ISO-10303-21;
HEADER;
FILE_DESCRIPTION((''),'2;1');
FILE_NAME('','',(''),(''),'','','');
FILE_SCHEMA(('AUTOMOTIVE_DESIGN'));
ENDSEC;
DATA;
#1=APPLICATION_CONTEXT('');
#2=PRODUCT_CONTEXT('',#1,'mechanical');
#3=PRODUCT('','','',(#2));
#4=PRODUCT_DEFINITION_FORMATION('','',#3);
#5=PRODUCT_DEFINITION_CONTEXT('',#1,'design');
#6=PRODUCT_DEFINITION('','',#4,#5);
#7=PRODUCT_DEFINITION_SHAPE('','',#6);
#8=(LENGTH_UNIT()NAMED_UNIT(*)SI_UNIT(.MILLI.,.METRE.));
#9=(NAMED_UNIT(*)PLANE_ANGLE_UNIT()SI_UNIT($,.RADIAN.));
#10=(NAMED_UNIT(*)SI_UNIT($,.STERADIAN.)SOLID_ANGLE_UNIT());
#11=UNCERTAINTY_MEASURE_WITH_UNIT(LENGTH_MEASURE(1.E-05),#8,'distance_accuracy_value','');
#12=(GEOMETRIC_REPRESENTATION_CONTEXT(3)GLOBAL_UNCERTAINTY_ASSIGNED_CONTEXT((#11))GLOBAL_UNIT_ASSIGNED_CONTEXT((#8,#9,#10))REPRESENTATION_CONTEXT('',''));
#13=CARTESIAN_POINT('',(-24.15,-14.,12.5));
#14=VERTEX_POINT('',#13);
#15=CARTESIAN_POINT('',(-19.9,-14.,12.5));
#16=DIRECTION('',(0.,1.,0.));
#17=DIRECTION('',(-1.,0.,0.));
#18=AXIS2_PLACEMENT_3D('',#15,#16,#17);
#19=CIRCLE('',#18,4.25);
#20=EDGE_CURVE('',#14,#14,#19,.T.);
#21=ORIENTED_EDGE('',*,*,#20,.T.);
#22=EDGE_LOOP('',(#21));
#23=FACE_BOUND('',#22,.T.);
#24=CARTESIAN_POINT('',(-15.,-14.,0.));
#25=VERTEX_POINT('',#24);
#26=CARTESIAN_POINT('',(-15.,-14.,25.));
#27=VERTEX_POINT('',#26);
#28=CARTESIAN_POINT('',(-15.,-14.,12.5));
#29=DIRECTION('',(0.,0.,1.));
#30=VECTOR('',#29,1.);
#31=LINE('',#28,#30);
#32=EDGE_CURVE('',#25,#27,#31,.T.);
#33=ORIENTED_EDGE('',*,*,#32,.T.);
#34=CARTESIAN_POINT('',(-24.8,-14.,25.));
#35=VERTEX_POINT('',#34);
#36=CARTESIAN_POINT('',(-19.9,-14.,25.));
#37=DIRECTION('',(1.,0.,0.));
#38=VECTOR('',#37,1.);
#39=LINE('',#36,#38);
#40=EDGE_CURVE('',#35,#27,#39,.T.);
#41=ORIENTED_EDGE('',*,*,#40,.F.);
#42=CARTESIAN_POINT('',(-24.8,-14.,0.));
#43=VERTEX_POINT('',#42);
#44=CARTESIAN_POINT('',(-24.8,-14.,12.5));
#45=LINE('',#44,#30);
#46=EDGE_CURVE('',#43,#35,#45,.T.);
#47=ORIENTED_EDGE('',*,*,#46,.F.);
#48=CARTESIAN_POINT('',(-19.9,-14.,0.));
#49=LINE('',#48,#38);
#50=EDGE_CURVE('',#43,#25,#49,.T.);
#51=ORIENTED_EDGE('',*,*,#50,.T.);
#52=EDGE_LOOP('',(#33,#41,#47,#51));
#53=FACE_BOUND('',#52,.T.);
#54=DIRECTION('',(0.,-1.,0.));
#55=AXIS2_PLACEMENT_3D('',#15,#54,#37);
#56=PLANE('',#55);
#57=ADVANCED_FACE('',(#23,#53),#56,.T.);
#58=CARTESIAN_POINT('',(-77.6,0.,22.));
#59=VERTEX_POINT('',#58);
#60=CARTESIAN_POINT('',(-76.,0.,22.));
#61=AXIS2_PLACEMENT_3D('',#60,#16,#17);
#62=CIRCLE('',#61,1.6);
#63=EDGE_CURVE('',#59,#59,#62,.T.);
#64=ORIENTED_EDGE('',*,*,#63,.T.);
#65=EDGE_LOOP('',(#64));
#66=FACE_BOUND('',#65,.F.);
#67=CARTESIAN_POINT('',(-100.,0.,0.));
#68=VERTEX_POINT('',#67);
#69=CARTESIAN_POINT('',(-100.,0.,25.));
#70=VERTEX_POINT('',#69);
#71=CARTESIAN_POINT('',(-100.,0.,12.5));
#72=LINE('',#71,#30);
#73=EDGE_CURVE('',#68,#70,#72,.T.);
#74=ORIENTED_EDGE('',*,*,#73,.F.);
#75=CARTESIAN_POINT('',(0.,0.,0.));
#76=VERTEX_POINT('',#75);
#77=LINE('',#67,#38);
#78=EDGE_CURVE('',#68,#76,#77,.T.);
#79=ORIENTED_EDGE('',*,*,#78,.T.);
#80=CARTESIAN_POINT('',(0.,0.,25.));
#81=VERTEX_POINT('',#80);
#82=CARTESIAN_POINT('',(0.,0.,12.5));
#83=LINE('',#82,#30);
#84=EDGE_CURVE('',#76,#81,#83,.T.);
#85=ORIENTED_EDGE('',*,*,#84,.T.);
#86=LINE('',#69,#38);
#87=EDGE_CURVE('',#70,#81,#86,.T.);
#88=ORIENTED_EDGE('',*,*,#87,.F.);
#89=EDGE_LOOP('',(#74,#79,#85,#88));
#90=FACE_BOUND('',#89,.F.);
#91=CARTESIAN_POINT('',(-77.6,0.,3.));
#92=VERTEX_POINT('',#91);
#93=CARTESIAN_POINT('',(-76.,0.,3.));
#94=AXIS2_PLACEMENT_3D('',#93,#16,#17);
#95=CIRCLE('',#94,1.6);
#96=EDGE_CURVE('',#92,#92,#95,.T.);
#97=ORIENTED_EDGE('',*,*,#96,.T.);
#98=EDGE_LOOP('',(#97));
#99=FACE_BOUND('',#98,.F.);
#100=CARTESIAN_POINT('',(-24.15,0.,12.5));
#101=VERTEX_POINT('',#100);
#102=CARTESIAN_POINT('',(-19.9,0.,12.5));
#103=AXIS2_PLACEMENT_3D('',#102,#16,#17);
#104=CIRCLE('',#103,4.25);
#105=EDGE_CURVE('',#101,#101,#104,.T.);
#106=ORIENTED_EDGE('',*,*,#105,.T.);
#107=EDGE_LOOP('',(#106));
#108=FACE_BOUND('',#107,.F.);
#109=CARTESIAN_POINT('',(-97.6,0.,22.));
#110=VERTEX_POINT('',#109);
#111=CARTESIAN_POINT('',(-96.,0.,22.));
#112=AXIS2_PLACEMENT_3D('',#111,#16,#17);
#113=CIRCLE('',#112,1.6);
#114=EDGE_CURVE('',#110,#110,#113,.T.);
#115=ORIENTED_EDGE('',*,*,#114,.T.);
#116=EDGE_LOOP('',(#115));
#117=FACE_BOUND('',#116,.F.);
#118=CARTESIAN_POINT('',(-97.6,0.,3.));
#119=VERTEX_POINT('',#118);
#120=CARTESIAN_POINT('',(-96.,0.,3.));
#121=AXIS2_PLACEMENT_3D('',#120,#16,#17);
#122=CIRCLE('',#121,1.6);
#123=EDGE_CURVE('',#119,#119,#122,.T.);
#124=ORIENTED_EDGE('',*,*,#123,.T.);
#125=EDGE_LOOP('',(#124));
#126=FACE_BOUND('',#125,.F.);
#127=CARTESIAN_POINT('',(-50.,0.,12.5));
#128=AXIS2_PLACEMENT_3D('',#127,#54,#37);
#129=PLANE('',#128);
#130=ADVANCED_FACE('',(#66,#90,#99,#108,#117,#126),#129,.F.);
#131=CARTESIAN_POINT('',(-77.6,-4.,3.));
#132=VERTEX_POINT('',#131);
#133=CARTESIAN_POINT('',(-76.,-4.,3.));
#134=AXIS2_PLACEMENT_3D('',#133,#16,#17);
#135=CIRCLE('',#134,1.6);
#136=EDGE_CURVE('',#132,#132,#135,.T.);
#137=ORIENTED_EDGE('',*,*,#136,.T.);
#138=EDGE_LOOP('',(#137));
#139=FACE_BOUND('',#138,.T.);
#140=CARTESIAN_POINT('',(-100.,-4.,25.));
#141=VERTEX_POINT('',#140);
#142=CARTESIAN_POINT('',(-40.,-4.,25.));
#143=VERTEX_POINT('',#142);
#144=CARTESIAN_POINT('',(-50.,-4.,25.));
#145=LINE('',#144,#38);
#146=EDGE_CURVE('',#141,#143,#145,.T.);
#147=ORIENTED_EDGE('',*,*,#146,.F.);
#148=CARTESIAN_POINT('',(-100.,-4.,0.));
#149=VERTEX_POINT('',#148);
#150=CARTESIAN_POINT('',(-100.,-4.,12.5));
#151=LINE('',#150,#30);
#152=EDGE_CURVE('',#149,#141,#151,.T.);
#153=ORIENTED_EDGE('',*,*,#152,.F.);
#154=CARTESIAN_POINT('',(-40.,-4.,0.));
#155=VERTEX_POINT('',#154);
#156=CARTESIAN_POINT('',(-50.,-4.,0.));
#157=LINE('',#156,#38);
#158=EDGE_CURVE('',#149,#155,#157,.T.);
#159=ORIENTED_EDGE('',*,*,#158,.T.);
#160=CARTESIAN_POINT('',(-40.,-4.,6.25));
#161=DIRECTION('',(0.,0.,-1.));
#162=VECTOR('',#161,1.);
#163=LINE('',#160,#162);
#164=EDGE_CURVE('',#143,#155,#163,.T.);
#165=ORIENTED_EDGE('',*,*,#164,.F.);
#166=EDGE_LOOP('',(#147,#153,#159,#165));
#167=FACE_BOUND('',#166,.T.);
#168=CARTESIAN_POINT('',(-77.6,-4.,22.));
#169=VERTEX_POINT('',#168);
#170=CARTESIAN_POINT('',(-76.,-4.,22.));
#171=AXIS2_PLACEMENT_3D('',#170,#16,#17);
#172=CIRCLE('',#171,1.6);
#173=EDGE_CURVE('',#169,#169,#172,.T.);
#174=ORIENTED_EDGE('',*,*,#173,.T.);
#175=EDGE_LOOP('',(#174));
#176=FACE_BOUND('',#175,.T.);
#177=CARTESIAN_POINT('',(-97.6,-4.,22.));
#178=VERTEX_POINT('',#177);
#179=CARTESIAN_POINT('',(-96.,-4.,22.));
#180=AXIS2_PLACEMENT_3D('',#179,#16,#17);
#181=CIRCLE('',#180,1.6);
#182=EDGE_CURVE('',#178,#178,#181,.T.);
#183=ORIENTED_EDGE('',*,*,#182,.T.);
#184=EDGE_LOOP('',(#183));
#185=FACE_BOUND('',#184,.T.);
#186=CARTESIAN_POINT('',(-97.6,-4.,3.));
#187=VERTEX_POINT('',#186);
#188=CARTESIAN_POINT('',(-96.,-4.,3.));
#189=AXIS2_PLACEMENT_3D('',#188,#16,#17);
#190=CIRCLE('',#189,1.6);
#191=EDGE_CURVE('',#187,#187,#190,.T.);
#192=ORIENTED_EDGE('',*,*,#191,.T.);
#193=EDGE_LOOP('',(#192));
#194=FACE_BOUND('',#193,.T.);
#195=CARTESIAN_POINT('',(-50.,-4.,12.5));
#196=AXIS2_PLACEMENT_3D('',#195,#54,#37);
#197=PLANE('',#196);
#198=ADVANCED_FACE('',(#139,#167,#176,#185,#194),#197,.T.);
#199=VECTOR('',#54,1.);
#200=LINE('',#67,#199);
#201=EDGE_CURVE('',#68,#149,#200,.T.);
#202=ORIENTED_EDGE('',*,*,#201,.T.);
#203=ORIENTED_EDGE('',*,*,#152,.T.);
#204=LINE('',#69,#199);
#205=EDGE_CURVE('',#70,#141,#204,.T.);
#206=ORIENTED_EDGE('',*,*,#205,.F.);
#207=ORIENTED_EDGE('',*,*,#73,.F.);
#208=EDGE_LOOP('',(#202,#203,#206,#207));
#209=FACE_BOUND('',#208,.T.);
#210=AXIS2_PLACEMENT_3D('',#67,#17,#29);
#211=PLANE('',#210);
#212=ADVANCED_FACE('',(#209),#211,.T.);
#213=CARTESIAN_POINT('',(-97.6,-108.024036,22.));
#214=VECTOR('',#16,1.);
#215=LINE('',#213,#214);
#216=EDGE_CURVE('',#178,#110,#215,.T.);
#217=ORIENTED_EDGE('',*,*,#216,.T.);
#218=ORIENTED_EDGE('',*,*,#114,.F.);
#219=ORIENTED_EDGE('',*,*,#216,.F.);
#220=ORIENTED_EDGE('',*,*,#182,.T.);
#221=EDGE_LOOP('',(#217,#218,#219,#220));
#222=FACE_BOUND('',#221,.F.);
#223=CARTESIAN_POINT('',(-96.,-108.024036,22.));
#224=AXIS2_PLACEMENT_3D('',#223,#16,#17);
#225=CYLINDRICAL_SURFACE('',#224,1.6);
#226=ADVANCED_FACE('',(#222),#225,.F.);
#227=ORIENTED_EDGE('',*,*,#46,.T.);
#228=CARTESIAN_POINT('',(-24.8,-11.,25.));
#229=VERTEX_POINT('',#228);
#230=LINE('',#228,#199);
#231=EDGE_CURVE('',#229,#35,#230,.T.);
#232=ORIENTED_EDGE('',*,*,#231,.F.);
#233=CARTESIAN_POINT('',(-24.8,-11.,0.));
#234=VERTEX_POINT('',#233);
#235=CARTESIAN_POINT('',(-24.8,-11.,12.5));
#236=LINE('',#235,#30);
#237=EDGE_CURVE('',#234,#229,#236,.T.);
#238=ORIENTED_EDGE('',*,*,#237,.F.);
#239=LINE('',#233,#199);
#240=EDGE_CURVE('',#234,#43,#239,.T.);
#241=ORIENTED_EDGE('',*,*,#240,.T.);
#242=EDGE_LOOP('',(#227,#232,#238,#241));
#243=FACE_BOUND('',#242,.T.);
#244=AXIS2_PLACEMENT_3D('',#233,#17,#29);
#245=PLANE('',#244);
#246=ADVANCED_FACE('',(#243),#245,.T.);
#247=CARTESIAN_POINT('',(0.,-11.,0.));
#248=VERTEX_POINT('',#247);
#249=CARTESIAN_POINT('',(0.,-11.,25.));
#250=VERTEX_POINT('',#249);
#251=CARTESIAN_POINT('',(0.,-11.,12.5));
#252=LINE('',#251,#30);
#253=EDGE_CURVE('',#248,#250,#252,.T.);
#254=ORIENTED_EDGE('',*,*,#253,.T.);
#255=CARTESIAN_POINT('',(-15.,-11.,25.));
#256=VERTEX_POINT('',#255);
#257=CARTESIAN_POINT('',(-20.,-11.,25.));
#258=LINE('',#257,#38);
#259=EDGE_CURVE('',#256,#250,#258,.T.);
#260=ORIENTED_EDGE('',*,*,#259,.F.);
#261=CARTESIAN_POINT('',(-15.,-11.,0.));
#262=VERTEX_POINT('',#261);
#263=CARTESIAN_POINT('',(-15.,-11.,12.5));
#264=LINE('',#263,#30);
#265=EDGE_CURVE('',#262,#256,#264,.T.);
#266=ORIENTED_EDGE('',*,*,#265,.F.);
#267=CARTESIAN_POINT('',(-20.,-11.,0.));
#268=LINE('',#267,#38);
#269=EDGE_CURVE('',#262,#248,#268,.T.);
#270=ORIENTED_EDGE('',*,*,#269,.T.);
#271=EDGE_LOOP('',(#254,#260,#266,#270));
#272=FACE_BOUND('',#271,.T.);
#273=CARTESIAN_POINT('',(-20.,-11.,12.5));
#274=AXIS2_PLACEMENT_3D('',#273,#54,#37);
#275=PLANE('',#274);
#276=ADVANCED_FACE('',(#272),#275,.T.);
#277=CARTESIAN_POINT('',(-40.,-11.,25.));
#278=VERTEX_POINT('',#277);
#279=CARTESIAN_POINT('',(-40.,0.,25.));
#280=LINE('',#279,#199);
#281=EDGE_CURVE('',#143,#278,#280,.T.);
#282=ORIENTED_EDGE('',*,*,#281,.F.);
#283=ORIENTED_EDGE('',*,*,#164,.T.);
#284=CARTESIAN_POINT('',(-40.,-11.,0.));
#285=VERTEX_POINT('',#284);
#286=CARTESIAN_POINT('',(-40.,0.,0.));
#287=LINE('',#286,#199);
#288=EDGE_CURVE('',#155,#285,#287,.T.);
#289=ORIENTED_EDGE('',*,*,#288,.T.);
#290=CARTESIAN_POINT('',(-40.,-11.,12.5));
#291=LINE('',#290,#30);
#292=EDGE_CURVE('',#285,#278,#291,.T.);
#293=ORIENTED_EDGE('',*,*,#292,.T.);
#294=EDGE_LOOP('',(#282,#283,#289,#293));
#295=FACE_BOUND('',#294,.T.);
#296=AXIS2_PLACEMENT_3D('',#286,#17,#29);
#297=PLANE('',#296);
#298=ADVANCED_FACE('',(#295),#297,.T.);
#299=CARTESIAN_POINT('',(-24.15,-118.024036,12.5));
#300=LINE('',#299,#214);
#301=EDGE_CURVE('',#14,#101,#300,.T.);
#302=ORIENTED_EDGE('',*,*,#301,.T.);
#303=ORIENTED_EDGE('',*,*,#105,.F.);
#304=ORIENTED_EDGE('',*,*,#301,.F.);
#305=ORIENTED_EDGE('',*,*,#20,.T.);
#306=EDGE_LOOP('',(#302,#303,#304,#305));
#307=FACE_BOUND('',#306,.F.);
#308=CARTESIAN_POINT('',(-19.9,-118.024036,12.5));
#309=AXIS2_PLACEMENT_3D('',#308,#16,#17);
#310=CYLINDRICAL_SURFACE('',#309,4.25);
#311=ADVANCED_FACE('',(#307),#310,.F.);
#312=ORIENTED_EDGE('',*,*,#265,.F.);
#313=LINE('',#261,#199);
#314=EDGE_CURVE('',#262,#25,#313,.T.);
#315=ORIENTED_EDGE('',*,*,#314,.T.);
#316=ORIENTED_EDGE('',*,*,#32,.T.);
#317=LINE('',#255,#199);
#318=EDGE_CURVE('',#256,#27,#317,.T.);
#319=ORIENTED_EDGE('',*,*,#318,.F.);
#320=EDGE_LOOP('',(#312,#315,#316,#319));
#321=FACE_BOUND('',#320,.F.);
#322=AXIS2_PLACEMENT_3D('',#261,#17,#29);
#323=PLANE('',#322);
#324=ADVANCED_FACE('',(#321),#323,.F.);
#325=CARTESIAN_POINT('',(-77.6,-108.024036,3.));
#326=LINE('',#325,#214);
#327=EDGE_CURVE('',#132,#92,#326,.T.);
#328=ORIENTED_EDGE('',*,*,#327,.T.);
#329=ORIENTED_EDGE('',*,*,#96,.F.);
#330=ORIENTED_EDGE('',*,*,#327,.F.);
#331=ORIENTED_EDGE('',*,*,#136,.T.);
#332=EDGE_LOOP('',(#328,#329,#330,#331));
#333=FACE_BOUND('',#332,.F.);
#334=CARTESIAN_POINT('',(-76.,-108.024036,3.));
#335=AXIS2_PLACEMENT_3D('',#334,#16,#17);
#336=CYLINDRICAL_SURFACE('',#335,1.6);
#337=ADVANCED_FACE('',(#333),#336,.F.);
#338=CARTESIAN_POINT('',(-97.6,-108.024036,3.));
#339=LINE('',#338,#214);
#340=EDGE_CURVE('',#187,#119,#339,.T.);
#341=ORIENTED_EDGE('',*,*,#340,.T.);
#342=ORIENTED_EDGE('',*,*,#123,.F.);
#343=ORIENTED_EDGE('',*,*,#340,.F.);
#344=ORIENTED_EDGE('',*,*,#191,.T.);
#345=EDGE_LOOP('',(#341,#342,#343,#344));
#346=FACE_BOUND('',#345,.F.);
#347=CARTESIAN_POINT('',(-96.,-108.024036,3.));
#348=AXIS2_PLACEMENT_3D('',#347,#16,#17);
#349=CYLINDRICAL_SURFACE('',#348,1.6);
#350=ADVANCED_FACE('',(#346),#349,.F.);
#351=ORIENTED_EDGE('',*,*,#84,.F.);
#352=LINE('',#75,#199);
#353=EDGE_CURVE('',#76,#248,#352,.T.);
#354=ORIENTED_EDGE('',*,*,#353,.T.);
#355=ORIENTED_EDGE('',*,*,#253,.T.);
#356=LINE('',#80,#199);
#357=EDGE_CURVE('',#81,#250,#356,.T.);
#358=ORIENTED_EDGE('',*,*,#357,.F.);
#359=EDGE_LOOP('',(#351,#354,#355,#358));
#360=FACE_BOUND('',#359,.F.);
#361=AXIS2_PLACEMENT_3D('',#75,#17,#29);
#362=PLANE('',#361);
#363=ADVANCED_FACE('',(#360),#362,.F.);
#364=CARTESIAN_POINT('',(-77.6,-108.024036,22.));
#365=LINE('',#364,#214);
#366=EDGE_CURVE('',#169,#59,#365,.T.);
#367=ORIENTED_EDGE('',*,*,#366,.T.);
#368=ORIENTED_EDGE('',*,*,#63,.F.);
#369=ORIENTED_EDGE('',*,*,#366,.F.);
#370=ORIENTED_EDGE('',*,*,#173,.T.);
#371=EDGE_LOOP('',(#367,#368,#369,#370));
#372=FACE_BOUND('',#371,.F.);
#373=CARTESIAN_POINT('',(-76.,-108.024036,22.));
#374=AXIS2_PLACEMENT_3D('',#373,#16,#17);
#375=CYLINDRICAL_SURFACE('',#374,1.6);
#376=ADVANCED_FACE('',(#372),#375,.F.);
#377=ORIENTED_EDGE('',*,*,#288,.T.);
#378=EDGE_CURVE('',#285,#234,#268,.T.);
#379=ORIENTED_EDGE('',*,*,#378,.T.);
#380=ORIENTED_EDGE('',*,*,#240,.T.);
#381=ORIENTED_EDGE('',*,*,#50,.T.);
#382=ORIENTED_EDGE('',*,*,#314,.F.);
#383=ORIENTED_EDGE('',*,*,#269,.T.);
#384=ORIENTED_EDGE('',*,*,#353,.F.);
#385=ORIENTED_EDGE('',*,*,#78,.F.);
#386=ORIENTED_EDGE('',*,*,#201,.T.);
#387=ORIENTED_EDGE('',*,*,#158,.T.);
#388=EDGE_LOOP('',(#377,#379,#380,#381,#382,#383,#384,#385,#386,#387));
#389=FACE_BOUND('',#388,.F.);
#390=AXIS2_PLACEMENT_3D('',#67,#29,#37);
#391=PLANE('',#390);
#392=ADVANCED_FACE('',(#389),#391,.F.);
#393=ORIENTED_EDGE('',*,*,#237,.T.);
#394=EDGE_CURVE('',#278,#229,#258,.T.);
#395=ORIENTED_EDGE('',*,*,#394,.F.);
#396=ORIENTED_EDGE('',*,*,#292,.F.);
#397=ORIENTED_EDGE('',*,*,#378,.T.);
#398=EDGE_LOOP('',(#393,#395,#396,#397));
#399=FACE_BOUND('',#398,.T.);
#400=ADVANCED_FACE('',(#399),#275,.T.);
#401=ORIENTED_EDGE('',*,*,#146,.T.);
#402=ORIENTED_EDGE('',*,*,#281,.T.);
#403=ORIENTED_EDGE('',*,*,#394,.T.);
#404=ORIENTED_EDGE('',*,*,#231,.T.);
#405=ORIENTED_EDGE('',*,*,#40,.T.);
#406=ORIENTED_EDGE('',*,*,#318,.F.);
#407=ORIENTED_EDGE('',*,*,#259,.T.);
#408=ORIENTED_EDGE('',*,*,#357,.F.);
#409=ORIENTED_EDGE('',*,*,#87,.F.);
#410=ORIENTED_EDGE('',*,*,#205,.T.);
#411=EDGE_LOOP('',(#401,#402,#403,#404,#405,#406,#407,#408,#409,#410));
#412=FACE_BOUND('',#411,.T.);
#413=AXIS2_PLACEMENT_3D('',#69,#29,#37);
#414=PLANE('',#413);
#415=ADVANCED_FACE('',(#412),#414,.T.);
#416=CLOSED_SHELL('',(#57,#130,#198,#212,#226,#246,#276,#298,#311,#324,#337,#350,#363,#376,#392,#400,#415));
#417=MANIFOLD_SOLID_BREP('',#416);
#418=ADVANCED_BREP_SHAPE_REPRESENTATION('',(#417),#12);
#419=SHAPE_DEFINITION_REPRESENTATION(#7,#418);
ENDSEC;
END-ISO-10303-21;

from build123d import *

# Parameters (mm, degrees)
F0_W     = 100
F0_H     = 25
F2_DEPTH = 4
F3_W     = 40
F3_H     = 25
F4_DEPTH = 11
F5_W     = 9.8
F5_H     = 25
F6_DEPTH = 3
F9_D     = 3.2
F10_D    = 3.2
F12_D    = 8.5
F14_D    = 3.2


with BuildPart() as f2:
    # F0 (on Front) → F2 (new body)
    with BuildSketch(Plane.XZ):
        with Locations((-50, 12.5)):
            Rectangle(F0_W, F0_H)
    extrude(amount=F2_DEPTH)

    # F3 (on Front) → F4 (join)
    with BuildSketch(Plane.XZ):
        with Locations((-20, 12.5)):
            Rectangle(F3_W, F3_H)
    extrude(amount=F4_DEPTH)

    # F5 (on face) → F6 (join)
    with BuildSketch(Plane.XZ.offset(11)):
        with Locations((-19.9, 12.5)):
            Rectangle(F5_W, F5_H)
    extrude(amount=F6_DEPTH)

    # F9 (through all)
    with Locations(Plane.XZ.offset(4)):
        with Locations((-96, 22)):
            Hole(F9_D / 2)

    # F10 (through all)
    with Locations(Plane.XZ.offset(4)):
        with Locations((-76, 22)):
            Hole(F10_D / 2)

    # F12 (through all)
    with Locations(Plane.XZ.offset(14)):
        with Locations((-19.9, 12.5)):
            Hole(F12_D / 2)

    # F14 (through all)
    with Locations(Plane.XZ.offset(4)):
        with Locations((-96, 3), (-76, 3)):
            Hole(F14_D / 2)


solid = f2.part
